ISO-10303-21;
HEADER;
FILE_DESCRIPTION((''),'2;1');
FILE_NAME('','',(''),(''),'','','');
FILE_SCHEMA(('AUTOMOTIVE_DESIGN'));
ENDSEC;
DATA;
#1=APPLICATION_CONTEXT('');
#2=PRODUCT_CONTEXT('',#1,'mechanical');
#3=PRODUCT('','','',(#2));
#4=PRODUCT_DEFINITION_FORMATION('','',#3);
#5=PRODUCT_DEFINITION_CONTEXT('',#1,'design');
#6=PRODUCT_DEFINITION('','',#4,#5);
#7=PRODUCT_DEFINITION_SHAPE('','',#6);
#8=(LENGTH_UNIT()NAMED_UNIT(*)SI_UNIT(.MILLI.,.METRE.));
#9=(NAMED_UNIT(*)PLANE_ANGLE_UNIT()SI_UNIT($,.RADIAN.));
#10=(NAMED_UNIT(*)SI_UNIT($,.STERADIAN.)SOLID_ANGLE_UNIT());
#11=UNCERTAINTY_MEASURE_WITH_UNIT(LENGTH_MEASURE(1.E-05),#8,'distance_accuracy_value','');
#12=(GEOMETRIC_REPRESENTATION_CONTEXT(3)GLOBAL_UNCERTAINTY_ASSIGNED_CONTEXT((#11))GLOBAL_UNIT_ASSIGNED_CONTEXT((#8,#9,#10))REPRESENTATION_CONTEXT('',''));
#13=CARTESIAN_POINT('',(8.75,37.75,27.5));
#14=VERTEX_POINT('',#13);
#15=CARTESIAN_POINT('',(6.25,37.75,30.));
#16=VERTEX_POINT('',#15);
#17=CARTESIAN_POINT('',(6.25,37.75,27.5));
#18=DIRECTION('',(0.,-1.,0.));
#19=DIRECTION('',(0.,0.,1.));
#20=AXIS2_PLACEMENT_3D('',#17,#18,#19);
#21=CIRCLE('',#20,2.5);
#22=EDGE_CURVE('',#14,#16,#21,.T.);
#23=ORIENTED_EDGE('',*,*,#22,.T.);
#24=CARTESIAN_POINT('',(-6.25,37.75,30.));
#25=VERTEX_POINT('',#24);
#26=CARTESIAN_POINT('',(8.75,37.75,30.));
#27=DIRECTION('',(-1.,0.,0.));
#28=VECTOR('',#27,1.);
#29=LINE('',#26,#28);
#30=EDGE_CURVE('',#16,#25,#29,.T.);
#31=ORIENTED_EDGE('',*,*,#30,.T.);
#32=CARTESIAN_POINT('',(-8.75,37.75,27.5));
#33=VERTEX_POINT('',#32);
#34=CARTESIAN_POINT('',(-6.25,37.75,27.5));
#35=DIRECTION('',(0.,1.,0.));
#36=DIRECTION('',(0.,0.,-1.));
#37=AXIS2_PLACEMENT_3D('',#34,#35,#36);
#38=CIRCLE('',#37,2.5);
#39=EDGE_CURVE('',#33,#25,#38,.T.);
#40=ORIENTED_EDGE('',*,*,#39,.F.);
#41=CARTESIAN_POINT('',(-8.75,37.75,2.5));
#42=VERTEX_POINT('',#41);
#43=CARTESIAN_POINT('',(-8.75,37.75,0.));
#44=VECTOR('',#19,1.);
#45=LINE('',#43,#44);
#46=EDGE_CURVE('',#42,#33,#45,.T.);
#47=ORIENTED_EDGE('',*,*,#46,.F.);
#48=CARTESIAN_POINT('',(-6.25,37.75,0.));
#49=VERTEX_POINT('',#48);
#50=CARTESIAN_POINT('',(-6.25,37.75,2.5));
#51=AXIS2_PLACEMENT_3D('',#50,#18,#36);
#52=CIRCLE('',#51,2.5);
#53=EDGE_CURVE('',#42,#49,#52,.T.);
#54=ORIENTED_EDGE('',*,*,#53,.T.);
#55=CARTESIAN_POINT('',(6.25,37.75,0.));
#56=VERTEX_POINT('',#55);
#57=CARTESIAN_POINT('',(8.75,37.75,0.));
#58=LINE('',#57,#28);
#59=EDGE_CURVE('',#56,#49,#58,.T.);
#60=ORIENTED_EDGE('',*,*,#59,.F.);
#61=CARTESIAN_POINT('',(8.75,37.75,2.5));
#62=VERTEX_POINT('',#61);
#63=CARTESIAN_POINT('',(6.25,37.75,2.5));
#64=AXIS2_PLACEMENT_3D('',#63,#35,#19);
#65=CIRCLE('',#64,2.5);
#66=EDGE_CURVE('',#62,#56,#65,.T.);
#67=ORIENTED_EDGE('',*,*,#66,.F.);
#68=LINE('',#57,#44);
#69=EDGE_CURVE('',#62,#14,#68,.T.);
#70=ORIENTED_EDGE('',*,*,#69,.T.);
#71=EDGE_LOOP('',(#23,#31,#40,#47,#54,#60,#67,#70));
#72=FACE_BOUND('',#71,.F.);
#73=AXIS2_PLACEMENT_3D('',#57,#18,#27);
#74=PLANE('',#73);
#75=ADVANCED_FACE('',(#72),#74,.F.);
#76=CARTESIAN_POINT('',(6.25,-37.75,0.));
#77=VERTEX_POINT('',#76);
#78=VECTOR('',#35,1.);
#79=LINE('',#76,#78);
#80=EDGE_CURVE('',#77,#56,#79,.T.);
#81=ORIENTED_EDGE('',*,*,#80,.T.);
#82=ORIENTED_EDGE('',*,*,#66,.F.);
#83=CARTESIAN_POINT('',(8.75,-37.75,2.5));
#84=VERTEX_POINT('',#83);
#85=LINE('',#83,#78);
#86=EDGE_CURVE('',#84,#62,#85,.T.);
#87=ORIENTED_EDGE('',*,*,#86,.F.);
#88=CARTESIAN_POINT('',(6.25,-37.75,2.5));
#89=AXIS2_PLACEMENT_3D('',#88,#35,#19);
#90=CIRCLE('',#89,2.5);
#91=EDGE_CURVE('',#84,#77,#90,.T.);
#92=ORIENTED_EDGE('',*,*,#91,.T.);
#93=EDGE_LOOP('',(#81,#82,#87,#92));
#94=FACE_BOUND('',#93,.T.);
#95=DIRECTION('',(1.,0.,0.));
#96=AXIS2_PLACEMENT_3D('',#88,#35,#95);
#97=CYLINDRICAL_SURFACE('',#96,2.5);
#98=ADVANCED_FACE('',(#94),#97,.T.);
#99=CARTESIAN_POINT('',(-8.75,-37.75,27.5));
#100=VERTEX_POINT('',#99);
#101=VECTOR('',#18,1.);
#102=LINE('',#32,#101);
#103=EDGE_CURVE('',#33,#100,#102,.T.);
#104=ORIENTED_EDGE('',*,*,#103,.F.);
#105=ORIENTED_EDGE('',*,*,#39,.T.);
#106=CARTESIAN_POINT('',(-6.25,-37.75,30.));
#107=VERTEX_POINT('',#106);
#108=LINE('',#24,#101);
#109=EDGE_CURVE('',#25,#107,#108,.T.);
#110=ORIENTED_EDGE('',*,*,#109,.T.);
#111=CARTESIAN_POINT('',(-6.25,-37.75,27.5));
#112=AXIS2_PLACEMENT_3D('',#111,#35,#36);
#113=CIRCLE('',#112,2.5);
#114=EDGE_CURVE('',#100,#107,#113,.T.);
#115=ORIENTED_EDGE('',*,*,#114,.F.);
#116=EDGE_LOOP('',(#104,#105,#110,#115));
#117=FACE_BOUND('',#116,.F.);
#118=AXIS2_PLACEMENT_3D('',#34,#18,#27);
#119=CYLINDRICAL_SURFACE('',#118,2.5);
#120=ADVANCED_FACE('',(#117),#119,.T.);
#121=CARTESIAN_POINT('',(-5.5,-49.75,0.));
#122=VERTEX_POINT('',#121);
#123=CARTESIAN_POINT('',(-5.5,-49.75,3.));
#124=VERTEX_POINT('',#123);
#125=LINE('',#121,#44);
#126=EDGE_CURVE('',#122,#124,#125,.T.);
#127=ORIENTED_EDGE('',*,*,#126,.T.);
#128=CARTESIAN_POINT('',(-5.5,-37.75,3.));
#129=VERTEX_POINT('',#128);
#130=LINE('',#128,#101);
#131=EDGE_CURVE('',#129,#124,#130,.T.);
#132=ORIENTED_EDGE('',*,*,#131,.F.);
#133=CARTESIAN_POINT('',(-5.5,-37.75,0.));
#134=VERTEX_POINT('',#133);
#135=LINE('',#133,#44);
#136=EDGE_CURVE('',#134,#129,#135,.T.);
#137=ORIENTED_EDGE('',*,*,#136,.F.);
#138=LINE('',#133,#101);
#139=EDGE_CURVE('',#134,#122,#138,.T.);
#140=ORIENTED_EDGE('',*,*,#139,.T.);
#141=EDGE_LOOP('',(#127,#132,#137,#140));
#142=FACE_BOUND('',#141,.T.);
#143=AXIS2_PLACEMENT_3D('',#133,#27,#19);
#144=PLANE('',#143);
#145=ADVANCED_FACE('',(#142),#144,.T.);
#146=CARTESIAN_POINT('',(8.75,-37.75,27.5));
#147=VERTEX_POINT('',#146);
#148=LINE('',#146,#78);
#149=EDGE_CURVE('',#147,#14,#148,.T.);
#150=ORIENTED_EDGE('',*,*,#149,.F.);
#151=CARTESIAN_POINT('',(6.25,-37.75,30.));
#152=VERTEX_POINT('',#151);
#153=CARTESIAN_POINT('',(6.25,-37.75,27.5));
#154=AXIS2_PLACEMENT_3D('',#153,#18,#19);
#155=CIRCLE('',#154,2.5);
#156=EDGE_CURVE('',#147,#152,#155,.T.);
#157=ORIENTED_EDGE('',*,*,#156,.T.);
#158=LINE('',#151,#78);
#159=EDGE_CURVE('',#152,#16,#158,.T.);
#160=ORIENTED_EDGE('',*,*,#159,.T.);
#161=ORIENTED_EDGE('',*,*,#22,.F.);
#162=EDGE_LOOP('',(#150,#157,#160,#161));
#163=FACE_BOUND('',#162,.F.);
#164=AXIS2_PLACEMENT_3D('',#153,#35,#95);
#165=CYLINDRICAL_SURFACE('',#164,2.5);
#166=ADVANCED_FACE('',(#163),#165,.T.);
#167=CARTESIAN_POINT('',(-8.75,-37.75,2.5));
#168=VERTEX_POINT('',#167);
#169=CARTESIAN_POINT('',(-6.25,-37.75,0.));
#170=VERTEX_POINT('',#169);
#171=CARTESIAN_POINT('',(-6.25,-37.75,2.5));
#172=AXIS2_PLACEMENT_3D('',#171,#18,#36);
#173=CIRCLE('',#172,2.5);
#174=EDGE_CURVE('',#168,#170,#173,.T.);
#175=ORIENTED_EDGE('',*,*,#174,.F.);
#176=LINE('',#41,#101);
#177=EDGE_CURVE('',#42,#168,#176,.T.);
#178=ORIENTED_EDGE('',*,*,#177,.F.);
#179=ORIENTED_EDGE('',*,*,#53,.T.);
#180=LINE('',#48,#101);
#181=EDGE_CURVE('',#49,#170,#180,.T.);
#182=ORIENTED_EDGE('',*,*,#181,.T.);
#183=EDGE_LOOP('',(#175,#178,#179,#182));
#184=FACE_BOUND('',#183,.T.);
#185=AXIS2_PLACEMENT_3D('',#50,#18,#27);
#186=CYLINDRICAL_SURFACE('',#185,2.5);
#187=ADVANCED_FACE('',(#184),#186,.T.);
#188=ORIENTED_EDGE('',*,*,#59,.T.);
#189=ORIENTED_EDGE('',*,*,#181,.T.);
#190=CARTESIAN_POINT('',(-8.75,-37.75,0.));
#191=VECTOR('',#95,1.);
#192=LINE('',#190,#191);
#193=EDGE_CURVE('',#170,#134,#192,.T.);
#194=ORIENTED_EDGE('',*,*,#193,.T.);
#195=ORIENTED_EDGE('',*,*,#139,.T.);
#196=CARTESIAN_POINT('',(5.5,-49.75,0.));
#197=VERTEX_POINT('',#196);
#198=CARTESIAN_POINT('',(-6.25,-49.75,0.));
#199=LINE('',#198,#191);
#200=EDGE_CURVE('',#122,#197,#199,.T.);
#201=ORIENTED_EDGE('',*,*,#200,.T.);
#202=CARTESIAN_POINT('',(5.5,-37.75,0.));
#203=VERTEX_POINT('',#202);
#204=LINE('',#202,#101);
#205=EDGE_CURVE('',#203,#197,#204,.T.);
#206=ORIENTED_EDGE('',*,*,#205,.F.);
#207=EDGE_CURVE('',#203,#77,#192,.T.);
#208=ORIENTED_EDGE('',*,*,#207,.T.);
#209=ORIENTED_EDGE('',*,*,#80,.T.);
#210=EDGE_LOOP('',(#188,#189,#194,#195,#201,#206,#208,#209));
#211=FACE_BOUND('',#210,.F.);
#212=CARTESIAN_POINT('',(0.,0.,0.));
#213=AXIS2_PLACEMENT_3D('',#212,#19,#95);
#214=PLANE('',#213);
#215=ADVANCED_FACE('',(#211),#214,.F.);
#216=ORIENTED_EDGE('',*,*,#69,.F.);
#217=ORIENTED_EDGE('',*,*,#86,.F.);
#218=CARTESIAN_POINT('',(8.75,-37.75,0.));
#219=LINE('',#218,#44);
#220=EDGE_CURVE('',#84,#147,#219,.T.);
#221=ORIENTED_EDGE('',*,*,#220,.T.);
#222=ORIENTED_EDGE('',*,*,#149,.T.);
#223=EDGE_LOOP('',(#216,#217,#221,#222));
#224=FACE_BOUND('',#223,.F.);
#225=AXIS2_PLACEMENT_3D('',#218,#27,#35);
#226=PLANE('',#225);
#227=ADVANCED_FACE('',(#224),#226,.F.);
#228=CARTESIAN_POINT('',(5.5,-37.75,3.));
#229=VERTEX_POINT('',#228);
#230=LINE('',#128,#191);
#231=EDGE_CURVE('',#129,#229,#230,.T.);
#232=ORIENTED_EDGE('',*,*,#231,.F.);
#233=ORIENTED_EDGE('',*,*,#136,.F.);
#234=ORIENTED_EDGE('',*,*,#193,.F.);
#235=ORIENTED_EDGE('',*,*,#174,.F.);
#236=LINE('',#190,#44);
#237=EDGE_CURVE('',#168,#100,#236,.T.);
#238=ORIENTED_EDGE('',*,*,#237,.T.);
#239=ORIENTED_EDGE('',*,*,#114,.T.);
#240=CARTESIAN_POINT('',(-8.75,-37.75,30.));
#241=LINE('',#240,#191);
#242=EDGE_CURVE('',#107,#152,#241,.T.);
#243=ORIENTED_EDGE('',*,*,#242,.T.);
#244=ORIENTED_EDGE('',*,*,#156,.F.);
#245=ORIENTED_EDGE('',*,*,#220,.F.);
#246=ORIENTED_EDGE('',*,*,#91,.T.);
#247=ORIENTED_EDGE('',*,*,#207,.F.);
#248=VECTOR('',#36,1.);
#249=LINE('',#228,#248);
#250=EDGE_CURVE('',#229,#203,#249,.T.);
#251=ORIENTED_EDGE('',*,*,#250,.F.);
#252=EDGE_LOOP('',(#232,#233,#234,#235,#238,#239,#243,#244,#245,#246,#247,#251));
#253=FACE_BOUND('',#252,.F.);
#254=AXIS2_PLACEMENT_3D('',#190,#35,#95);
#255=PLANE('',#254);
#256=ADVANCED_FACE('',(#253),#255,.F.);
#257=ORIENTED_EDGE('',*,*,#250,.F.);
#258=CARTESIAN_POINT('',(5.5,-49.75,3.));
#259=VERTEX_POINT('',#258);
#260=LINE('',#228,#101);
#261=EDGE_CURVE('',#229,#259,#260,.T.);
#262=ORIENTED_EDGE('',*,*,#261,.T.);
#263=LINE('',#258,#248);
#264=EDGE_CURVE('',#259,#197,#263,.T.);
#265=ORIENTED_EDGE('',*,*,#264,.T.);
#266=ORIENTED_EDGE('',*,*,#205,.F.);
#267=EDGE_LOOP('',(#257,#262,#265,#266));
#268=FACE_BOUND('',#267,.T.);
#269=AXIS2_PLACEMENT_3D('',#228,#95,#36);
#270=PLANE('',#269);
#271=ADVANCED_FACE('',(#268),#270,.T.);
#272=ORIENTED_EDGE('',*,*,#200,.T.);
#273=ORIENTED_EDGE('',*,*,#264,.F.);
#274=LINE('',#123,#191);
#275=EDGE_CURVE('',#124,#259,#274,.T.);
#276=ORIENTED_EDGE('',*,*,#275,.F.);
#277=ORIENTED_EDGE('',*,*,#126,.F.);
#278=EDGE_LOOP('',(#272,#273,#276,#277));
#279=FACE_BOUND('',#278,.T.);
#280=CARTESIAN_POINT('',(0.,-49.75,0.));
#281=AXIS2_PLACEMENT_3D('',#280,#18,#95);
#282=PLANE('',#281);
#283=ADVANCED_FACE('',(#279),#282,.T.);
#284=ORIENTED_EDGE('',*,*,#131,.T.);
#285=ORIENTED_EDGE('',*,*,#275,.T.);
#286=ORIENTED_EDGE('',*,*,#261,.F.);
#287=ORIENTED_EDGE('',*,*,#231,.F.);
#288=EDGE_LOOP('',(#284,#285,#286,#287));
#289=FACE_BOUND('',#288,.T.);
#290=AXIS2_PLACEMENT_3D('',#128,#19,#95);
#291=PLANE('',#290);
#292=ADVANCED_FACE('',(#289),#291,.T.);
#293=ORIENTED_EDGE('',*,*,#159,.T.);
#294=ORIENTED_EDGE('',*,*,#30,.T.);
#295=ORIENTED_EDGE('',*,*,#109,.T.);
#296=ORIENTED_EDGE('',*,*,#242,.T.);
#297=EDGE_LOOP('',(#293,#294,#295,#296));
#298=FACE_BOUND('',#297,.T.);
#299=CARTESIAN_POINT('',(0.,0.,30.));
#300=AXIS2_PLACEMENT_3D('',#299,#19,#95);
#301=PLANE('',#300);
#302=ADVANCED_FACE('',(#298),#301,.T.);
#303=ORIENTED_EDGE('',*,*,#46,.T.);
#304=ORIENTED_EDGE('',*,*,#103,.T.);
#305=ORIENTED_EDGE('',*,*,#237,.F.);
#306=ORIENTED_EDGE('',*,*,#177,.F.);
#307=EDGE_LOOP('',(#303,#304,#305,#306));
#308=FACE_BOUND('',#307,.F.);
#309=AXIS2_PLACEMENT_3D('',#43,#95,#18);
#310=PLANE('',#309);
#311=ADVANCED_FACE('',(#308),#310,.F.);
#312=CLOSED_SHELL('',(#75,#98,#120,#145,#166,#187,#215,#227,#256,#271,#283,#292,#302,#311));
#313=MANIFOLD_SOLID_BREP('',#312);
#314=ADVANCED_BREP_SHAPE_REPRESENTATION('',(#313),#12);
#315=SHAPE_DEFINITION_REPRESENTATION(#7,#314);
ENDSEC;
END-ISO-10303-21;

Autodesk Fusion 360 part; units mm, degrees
sketch "Sketch1" plane through (0, 0, 0) normal (0, 0, 1) x (1, 0, 0)
  line L0 (8.75, 37.75) -> (-8.75, 37.75)
  line L1 (-8.75, 37.75) -> (-8.75, -37.75)
  line L2 (-8.75, -37.75) -> (8.75, -37.75)
  line L3 (8.75, -37.75) -> (8.75, 37.75)
  line L4 (8.75, 37.75) -> (-8.75, -37.75) construction
  line L5 (-8.75, 37.75) -> (8.75, -37.75) construction
  dimension "d1" = 17.5
  dimension "d2" = 75.5
extrude "Extrude1" add sketch "Sketch1" along normal blind 30
fillet "Fillet1" radius 2.5 4 edges at (8.75, 0, 30) (-8.75, 0, 30) (8.75, 0, 0) (-8.75, 0, 0)
sketch "Sketch2" plane through (0, -37.75, 0) normal (0, -1, 0) x (1, 0, 0)
  arc A0 (-8.75, 2.5) -> (-6.25, 0) centre (-6.25, 2.5) ccw
  line L0 (-6.25, 0) -> (6.25, 0)
  arc A1 (6.25, 0) -> (8.75, 2.5) centre (6.25, 2.5) ccw
  line L1 (8.75, 2.5) -> (8.75, 27.5)
  arc A2 (8.75, 27.5) -> (6.25, 30) centre (6.25, 27.5) ccw
  line L2 (6.25, 30) -> (-6.25, 30)
  arc A3 (-6.25, 30) -> (-8.75, 27.5) centre (-6.25, 27.5) ccw
  line L3 (-8.75, 27.5) -> (-8.75, 2.5)
  line L4 (-5.5, 3) -> (5.5, 3)
  line L5 (5.5, 3) -> (5.5, 0)
  line L6 (5.5, 0) -> (-5.5, 0)
  line L7 (-5.5, 0) -> (-5.5, 3)
  dimension "d7" = 11
  dimension "d8" = 3
extrude "Extrude2" add sketch "Sketch2" along normal blind 12 contours L0 L4 L5 L6 L7
